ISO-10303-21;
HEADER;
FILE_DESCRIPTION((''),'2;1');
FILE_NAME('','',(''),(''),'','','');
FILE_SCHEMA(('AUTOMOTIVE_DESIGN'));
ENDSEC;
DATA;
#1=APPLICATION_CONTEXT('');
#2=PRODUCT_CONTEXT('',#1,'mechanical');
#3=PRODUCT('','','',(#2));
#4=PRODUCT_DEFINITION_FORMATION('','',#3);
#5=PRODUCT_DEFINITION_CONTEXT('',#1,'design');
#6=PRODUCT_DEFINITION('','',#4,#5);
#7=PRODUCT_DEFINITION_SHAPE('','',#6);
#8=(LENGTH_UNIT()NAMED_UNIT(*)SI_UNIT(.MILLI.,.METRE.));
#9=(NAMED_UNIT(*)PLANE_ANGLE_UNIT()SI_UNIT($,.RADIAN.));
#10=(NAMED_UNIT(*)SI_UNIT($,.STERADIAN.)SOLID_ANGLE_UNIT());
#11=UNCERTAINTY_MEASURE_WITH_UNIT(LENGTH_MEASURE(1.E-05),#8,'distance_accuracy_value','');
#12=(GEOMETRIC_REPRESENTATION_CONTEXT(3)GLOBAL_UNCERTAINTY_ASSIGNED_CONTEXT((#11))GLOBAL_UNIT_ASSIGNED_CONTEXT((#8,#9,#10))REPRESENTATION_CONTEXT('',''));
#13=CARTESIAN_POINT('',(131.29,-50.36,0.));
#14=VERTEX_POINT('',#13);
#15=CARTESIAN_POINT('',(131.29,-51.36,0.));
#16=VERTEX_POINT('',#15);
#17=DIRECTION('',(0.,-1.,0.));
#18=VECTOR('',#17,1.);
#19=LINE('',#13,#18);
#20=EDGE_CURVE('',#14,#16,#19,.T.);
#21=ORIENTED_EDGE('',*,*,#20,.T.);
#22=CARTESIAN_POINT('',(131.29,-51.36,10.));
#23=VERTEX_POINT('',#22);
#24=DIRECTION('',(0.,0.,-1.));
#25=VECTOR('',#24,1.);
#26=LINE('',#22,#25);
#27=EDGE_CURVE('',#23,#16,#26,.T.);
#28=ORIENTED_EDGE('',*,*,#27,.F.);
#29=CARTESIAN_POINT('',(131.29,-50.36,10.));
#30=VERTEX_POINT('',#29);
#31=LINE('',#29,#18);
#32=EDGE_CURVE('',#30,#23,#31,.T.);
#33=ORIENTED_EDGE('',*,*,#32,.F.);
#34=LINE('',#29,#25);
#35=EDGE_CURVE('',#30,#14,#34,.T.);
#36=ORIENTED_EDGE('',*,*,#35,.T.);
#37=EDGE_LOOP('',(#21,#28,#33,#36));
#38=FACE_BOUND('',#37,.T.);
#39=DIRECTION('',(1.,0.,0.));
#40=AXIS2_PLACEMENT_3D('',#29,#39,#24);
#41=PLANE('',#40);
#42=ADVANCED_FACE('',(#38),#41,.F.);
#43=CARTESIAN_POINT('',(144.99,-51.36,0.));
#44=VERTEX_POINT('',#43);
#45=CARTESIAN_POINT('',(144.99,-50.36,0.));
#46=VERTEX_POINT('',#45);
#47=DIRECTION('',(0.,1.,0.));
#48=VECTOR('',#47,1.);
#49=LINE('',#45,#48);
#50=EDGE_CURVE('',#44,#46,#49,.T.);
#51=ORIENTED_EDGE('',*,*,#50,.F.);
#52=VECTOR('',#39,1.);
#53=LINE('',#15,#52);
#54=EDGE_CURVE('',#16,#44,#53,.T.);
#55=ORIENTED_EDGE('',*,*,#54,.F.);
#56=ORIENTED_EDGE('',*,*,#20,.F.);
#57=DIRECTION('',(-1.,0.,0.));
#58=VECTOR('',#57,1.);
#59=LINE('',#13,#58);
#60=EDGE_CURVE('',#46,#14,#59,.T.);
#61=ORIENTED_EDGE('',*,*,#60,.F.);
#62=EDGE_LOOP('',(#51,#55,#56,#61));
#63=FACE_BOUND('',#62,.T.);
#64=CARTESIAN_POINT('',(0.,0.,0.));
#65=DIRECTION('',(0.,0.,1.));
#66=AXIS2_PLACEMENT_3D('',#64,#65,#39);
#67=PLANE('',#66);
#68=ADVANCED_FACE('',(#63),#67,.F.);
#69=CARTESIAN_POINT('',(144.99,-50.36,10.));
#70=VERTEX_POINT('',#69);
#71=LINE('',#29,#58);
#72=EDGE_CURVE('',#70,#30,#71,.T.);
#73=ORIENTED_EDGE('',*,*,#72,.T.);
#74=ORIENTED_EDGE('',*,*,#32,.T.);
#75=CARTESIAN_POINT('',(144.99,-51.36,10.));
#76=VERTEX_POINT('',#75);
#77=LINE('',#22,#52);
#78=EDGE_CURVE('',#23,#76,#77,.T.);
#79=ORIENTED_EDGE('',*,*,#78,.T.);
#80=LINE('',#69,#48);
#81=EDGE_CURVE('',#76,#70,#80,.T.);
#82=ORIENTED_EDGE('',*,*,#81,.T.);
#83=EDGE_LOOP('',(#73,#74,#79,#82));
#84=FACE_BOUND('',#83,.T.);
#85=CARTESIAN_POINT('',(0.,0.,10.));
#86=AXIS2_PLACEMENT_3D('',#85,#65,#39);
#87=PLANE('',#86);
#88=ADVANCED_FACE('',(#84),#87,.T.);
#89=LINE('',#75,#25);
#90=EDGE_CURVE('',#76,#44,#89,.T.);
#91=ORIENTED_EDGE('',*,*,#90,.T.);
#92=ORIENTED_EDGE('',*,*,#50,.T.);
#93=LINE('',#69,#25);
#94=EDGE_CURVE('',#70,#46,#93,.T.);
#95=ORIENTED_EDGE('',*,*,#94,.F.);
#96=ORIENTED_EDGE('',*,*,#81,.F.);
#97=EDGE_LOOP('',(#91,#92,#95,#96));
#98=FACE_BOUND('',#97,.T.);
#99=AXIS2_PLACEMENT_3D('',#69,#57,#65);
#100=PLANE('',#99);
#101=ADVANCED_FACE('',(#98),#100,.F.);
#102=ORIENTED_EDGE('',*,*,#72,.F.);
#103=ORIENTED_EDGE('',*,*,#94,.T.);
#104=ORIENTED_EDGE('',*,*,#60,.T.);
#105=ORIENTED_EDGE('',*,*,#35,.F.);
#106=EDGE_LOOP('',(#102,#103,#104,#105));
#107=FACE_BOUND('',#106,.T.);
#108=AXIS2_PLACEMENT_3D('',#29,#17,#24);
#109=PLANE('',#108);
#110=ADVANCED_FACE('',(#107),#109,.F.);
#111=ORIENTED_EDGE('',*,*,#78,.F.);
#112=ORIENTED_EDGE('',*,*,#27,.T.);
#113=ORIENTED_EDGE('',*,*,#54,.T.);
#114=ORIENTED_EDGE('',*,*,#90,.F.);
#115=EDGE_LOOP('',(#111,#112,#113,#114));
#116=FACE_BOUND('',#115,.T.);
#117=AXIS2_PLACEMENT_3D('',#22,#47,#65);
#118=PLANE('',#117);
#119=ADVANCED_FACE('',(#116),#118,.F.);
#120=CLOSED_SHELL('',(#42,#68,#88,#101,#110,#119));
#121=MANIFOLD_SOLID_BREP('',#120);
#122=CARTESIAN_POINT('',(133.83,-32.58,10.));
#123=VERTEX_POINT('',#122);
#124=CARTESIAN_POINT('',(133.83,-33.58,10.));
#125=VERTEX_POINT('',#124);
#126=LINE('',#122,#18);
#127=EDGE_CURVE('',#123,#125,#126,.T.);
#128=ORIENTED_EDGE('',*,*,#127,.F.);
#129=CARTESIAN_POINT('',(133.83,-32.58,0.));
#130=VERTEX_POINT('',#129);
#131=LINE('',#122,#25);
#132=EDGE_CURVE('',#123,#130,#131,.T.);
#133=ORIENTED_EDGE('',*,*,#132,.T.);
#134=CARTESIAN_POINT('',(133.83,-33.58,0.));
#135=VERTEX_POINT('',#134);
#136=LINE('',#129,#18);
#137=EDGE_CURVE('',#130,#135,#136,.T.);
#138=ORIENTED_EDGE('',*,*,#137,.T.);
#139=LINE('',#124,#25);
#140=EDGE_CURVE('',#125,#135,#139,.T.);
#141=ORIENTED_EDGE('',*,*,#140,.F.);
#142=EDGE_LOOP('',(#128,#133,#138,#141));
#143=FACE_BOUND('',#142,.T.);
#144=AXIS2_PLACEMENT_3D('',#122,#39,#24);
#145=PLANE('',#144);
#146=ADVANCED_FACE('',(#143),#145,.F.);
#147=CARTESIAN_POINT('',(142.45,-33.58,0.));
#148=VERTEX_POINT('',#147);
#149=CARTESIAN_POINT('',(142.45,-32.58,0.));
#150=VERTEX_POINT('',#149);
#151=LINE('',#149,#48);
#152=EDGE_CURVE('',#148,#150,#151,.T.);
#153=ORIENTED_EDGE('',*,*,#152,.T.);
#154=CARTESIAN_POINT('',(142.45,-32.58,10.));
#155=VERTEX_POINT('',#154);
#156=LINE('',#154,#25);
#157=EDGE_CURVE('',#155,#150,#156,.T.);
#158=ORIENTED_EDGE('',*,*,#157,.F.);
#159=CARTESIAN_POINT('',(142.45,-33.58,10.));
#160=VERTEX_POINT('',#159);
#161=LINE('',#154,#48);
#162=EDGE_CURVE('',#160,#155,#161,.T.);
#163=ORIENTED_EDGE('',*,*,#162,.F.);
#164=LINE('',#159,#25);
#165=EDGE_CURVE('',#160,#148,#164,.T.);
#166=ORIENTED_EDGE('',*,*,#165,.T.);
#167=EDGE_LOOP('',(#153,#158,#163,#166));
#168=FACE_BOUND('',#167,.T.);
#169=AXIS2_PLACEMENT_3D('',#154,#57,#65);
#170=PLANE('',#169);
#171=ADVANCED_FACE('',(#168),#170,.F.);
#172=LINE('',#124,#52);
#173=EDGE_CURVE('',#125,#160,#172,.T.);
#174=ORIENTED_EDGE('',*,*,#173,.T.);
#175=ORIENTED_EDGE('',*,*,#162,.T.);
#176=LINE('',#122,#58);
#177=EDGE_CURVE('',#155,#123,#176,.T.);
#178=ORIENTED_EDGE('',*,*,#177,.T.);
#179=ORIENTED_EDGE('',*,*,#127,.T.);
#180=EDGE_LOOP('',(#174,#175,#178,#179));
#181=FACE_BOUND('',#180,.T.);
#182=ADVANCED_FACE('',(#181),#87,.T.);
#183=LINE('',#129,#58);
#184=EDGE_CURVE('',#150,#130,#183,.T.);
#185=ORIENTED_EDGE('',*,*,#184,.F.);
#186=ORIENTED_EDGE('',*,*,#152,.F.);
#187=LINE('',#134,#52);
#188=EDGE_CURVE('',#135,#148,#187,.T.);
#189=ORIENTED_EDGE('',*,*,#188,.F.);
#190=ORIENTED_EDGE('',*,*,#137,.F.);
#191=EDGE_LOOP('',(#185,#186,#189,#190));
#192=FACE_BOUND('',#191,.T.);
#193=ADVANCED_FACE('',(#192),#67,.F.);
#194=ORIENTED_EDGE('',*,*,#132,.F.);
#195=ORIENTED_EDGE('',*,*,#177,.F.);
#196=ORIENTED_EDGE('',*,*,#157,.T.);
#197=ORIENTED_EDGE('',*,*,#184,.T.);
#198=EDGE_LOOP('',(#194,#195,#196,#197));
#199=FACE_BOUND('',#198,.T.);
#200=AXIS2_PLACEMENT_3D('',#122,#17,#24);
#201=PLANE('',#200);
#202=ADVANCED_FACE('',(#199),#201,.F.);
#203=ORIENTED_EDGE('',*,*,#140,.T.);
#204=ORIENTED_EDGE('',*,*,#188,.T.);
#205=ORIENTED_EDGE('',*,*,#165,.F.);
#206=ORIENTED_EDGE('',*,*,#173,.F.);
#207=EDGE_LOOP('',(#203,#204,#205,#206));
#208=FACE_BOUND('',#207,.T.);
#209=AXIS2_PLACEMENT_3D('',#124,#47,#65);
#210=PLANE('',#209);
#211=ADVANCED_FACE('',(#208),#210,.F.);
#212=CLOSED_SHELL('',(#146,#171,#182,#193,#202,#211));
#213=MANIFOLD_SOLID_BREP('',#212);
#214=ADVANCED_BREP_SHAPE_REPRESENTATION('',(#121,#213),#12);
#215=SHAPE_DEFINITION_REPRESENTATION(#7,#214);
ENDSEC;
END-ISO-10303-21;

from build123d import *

# Parameters (mm, degrees)
SKIZZE1_W                         = 8.62
SKIZZE1_H                         = 1
AUFSATZ_LINEAR_AUSTRAGEN1_DEPTH   = 10
SKIZZE1_W_2                       = 13.7
AUFSATZ_LINEAR_AUSTRAGEN1_2_DEPTH = 10


with BuildPart() as part:
    # Skizze1 → Aufsatz-Linear austragen1 (new body)
    with BuildSketch(Plane.XY):
        with Locations((138.14, -33.08)):
            Rectangle(SKIZZE1_W, SKIZZE1_H)
    extrude(amount=AUFSATZ_LINEAR_AUSTRAGEN1_DEPTH)


with BuildPart() as body_2:
    # Skizze1 → Aufsatz-Linear austragen1 2 (new body)
    with BuildSketch(Plane.XY):
        with Locations((138.14, -50.86)):
            Rectangle(SKIZZE1_W_2, SKIZZE1_H)
    extrude(amount=AUFSATZ_LINEAR_AUSTRAGEN1_2_DEPTH)


solid = Compound([part.part, body_2.part])
